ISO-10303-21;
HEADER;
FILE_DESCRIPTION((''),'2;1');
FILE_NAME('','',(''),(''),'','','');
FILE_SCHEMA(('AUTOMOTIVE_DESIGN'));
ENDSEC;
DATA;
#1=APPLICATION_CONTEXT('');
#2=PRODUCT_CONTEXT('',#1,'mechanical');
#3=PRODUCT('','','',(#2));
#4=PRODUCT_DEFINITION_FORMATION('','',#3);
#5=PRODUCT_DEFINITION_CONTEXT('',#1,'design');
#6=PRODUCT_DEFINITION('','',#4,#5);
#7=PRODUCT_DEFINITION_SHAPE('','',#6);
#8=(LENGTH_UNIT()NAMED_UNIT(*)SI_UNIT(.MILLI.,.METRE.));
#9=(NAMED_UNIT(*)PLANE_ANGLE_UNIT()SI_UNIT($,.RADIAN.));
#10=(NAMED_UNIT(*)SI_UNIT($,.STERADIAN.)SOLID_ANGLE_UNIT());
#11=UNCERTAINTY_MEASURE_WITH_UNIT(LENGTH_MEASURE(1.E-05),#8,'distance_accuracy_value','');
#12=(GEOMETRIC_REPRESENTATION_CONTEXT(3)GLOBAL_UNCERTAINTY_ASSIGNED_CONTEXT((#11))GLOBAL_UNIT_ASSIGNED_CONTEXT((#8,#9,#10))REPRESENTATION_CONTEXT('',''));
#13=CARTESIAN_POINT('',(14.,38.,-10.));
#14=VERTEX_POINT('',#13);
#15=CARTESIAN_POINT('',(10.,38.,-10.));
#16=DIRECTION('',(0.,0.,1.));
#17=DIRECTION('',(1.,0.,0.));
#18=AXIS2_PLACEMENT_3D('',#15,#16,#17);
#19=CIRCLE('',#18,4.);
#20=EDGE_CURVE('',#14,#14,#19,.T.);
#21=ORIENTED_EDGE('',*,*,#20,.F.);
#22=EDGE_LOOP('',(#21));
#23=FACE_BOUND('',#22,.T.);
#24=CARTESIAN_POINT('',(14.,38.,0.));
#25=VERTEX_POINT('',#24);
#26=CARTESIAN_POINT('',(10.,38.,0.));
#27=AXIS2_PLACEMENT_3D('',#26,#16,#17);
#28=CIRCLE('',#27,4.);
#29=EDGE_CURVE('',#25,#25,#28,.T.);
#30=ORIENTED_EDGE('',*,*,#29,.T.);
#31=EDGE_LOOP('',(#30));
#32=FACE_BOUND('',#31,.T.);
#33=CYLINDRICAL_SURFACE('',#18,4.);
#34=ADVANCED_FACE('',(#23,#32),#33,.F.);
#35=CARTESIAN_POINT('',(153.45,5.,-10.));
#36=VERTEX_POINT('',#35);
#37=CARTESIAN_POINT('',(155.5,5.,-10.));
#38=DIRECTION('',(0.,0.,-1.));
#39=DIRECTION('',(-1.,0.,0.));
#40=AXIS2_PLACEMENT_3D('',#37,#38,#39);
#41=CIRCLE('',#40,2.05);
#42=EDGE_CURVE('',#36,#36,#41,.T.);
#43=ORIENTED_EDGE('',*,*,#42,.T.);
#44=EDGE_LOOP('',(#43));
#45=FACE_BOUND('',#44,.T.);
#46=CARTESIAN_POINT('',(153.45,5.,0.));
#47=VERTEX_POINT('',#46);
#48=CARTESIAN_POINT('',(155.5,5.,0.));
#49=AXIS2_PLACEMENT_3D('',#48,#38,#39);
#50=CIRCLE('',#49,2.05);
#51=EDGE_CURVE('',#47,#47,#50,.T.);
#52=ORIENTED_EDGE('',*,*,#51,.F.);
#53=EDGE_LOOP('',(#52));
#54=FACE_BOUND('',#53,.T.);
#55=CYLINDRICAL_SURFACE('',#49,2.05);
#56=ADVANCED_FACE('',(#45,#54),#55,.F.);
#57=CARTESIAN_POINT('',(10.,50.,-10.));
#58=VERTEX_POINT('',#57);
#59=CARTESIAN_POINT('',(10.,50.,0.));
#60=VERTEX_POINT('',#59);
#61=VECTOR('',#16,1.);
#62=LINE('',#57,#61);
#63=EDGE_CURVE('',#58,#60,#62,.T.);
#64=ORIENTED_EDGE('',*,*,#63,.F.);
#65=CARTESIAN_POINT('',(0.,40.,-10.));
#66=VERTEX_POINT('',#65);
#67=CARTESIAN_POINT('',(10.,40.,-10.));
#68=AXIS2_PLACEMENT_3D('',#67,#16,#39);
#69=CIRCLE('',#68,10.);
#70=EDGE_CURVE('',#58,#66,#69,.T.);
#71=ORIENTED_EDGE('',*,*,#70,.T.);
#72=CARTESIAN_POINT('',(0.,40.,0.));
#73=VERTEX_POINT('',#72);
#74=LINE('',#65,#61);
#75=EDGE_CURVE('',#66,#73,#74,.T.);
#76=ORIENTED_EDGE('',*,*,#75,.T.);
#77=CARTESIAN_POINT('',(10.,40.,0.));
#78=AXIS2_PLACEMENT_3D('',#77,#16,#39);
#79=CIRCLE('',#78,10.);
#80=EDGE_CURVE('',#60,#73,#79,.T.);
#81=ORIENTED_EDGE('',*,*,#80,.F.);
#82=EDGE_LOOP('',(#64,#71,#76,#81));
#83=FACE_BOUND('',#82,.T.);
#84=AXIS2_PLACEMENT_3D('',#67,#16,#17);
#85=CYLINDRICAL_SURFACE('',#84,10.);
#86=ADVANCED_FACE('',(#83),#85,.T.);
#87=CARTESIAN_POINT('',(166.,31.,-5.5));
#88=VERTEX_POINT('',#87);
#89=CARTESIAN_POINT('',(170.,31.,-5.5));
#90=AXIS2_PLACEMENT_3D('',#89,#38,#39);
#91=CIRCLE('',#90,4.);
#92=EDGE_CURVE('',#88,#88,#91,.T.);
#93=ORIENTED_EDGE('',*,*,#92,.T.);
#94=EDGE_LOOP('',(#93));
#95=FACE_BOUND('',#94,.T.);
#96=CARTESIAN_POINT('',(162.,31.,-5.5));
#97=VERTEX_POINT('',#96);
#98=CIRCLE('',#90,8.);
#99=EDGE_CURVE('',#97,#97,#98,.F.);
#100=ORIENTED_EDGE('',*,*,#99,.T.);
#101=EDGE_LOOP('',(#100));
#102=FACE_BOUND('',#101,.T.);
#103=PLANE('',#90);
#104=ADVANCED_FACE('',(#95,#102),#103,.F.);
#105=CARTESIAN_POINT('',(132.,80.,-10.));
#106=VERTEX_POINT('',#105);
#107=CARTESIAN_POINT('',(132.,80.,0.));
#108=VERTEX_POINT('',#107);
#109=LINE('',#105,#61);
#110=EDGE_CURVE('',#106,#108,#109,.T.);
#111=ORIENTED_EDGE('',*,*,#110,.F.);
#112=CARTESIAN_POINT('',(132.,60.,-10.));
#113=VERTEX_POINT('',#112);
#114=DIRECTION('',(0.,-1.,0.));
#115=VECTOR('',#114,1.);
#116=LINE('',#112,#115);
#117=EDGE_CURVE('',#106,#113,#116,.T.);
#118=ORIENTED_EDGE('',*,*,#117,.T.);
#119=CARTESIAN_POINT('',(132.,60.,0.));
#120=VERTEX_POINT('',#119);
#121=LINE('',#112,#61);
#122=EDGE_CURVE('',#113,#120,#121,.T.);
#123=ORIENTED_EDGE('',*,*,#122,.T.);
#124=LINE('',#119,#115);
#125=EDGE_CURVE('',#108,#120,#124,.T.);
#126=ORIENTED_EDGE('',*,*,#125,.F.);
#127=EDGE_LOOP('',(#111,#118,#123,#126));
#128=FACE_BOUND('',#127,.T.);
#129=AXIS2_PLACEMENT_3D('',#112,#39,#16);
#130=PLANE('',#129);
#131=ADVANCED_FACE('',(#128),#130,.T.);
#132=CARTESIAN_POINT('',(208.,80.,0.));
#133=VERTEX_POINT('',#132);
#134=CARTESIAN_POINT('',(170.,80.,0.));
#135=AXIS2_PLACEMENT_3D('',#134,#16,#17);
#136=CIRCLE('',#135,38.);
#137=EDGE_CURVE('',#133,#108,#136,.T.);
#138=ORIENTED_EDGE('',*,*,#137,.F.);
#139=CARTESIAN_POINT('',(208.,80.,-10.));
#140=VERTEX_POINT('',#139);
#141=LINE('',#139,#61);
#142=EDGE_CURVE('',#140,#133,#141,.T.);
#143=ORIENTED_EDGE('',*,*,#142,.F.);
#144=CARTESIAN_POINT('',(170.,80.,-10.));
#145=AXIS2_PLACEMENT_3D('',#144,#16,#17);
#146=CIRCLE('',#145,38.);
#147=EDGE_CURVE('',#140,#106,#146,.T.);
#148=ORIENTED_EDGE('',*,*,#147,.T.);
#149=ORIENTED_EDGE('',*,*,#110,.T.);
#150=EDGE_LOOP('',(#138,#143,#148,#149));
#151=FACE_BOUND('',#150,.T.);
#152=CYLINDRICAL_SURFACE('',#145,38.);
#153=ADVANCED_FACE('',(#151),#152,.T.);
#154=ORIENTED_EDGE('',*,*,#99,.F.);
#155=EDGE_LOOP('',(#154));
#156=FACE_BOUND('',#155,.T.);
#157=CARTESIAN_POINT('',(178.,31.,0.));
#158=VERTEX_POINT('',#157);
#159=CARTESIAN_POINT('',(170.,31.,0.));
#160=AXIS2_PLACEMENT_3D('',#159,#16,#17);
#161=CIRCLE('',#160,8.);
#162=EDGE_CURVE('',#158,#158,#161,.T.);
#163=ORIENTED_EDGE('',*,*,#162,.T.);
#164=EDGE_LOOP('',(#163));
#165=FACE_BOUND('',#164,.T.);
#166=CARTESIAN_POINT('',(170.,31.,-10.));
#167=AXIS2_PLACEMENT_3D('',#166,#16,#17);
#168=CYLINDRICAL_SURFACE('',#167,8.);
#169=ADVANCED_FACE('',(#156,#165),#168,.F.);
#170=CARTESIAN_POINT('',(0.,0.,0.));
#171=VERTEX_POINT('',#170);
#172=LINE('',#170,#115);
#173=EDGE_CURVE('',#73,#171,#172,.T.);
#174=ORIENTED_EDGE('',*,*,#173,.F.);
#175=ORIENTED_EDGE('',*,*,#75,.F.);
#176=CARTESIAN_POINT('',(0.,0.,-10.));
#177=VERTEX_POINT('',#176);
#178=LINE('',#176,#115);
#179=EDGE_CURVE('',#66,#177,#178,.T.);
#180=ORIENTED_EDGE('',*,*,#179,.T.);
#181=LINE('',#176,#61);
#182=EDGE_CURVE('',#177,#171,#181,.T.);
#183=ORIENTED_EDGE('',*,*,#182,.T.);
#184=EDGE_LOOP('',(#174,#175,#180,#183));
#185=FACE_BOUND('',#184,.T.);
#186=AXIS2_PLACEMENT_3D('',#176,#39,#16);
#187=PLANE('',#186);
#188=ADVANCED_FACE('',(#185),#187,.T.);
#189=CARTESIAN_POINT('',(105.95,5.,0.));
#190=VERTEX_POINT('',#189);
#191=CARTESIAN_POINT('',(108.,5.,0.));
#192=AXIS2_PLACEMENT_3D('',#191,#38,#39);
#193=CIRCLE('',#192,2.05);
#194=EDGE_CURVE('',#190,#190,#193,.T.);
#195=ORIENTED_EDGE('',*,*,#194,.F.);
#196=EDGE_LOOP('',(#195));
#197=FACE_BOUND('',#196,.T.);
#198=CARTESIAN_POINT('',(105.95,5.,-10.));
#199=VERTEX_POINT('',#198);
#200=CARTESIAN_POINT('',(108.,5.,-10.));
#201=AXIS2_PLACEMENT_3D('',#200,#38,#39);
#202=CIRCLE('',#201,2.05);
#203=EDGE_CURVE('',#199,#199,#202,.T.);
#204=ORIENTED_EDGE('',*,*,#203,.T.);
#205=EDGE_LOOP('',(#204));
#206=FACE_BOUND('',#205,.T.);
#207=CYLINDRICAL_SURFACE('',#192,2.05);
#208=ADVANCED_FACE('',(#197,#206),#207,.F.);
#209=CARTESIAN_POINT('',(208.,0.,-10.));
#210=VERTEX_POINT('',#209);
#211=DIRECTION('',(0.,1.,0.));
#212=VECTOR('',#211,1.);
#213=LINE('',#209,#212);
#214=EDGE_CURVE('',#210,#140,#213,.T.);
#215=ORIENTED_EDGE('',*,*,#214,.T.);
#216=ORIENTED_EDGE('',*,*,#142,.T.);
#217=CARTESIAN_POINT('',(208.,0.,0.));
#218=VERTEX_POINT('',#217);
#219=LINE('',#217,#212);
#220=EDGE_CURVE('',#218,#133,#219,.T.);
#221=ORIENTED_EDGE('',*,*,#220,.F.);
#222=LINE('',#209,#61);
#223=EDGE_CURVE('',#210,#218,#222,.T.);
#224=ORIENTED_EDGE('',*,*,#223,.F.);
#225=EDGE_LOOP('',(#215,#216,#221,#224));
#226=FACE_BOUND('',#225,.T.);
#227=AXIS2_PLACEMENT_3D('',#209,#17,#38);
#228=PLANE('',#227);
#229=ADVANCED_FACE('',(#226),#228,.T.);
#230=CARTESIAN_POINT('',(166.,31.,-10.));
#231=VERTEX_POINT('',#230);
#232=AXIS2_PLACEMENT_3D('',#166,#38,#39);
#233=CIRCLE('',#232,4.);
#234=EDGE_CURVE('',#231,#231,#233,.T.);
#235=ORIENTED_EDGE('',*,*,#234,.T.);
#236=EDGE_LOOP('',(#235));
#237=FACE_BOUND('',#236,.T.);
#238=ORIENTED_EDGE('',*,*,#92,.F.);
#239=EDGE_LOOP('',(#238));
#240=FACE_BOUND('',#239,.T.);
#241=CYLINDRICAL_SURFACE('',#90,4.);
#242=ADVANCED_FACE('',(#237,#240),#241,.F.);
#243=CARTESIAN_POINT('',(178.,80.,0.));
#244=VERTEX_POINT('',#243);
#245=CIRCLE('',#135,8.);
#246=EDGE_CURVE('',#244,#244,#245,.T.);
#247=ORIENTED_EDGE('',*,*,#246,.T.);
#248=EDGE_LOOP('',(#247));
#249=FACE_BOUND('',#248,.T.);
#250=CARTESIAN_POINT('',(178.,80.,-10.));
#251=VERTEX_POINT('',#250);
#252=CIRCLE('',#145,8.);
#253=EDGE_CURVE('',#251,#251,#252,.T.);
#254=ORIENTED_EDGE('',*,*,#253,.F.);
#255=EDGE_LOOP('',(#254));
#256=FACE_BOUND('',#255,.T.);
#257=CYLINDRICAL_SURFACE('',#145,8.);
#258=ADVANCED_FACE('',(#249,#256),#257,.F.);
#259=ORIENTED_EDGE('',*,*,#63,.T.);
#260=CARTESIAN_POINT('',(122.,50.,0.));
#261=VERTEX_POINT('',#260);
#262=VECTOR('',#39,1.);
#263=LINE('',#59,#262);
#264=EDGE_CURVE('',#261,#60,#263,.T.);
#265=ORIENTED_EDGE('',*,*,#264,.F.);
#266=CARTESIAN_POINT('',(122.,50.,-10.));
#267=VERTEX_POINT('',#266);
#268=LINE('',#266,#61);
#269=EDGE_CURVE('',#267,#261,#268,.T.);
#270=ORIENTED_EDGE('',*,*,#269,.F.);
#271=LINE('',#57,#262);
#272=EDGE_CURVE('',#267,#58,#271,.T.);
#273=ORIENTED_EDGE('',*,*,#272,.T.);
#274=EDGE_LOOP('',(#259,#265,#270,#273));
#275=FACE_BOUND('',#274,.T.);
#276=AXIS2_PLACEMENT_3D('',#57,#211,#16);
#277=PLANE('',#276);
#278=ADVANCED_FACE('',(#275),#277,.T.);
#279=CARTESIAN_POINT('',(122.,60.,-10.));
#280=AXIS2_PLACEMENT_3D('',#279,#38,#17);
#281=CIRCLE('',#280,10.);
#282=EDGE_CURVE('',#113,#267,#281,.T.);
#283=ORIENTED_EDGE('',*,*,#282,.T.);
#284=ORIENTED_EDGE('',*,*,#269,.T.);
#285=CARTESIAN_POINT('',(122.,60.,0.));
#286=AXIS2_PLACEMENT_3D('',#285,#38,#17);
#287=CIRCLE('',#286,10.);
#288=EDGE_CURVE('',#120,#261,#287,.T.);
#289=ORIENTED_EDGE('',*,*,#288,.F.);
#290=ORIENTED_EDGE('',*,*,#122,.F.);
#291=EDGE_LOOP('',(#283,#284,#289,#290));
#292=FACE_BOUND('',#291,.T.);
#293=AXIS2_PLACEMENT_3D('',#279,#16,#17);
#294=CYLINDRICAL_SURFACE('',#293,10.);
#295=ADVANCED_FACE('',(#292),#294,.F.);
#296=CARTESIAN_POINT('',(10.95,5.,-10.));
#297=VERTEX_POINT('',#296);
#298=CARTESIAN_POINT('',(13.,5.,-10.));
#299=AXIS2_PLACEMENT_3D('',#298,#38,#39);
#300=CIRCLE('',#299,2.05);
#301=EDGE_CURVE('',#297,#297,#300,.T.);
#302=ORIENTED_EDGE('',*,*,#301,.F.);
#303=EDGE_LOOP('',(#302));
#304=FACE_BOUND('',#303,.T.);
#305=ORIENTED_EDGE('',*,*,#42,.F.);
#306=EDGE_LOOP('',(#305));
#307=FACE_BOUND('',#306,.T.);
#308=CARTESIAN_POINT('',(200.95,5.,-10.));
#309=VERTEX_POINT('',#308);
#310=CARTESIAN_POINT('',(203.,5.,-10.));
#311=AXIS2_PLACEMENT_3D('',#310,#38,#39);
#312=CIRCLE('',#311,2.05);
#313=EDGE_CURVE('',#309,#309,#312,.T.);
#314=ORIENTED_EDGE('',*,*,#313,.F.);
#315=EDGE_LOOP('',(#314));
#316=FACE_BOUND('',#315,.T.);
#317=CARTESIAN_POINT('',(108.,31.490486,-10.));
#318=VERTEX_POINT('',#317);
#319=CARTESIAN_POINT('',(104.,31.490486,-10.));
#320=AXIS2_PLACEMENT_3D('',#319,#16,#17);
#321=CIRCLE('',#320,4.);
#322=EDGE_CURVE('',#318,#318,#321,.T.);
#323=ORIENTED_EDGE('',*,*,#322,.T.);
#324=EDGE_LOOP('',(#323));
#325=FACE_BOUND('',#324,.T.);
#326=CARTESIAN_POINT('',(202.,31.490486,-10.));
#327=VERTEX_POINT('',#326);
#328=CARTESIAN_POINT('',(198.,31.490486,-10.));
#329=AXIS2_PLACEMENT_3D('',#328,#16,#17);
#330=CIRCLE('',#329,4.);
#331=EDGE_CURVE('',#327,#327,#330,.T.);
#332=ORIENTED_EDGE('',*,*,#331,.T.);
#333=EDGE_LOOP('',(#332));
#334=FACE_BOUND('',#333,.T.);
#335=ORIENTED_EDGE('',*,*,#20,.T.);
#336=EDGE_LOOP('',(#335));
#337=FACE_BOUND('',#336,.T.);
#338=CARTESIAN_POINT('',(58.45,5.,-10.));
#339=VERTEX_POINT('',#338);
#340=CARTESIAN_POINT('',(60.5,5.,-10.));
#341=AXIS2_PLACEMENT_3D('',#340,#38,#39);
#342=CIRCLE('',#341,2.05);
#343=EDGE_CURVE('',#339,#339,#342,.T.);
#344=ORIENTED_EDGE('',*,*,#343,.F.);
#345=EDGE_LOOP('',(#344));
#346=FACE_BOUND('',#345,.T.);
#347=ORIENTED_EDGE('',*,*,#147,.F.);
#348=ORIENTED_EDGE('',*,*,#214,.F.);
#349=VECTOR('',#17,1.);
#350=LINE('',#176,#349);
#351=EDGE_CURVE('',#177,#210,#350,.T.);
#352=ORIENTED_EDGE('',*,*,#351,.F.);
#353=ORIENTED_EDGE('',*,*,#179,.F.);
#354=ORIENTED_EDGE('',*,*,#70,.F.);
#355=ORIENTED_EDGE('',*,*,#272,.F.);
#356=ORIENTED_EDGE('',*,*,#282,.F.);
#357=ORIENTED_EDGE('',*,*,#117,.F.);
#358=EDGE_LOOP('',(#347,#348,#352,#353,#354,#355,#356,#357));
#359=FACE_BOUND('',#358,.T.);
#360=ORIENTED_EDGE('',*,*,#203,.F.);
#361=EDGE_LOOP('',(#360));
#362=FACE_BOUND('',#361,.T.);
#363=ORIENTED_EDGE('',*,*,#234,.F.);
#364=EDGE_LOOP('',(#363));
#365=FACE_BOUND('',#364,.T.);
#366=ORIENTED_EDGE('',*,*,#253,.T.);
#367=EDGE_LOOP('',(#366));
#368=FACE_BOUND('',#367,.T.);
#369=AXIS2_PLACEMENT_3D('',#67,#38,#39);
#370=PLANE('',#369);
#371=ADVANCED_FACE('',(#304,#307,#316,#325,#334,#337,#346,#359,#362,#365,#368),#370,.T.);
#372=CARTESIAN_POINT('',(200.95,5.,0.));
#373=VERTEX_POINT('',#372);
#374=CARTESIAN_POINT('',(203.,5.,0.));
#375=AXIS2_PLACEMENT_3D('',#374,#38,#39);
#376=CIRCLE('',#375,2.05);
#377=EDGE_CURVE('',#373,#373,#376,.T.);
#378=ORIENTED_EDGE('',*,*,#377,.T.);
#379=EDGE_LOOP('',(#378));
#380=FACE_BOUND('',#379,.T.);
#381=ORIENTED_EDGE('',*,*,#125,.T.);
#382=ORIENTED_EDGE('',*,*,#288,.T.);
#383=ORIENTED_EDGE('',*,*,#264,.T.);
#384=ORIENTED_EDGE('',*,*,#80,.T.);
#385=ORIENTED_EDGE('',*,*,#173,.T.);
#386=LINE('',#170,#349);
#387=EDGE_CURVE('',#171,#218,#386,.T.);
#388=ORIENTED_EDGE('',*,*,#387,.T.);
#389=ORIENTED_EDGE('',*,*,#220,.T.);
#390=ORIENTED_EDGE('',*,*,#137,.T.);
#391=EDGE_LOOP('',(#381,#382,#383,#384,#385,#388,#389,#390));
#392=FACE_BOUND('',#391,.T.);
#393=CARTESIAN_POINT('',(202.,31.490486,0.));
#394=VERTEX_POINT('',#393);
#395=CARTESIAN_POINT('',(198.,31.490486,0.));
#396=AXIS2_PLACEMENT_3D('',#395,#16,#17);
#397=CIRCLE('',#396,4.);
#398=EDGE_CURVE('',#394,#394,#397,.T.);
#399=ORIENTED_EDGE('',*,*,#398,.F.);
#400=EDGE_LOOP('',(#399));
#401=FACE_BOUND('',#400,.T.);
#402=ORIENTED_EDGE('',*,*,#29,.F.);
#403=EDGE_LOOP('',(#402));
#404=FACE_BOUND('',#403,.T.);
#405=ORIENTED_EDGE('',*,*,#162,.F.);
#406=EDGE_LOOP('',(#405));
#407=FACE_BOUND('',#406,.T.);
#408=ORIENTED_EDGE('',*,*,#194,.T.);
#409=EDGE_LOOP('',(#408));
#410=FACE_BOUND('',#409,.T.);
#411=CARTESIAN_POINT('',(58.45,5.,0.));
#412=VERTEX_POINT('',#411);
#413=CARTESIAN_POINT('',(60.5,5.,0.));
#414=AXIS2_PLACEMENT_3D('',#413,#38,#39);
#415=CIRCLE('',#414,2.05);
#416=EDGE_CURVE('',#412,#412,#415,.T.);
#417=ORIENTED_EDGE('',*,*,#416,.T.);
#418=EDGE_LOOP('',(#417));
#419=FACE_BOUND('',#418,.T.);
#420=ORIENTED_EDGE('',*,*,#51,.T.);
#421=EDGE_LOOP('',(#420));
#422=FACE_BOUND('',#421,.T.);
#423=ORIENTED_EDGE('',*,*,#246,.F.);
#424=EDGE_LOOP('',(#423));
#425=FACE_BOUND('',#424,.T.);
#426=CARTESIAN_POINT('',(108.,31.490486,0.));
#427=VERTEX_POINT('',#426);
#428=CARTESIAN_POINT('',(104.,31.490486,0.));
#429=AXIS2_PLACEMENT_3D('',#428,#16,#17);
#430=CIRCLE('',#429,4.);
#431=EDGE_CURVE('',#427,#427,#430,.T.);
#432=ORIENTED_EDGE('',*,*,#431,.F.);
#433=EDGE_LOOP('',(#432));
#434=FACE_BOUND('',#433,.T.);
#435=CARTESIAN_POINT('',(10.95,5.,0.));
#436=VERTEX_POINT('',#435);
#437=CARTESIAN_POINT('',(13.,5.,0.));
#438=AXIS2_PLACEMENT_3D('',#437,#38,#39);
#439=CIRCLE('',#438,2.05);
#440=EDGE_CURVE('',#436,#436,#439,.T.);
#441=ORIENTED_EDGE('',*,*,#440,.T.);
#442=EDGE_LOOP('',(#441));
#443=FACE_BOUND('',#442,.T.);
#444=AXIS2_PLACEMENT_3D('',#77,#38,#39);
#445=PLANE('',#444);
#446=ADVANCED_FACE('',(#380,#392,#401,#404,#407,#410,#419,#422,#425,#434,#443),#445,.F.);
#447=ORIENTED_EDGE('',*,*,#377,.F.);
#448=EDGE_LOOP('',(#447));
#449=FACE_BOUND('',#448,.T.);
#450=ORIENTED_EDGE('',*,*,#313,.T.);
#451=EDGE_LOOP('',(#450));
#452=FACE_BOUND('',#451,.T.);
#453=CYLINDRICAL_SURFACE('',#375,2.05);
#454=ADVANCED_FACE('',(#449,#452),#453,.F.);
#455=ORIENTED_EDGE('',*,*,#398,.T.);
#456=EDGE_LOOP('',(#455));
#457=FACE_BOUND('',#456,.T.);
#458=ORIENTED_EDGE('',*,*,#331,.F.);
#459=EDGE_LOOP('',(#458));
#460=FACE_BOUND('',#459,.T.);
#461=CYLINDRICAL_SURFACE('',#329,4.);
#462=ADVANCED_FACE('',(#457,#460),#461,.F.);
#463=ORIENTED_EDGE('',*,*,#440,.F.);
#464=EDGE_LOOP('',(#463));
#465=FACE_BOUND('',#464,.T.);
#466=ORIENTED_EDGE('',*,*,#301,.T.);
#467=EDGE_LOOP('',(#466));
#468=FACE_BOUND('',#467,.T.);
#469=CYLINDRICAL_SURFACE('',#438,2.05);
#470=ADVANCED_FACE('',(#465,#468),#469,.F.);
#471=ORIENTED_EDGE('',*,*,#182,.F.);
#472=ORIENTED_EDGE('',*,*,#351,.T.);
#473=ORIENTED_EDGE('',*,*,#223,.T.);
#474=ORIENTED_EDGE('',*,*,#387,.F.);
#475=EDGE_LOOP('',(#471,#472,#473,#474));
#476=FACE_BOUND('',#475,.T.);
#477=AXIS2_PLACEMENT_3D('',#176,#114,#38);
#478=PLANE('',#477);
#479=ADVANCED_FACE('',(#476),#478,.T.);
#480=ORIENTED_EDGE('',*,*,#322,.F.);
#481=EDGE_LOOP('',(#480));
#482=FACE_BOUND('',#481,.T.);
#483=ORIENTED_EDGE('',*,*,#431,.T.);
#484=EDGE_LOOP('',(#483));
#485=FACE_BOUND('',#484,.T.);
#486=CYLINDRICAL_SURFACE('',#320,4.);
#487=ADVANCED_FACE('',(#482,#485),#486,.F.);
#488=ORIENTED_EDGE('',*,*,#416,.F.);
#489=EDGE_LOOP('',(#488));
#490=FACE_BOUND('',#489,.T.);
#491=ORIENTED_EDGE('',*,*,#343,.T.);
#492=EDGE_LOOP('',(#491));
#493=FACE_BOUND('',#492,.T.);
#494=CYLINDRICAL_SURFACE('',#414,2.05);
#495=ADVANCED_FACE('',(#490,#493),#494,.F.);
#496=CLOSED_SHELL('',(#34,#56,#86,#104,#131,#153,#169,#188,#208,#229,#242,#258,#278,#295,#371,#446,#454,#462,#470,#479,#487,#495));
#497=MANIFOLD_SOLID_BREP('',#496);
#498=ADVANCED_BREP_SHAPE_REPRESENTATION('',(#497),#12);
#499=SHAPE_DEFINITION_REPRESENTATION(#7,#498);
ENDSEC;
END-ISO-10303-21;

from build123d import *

# Parameters (mm, degrees)
CROQUIS1_R              = 8
SALIENTE_EXTRUIR1_DEPTH = 10
CROQUIS2_R              = 2.05
CORTAR_EXTRUIR1_DEPTH   = 240.3491174
SALIENTE_EXTRUIR2_START = -4.5
CROQUIS3_R              = 8
CROQUIS3_R_2            = 4
SALIENTE_EXTRUIR2_DEPTH = 4.5
CROQUIS4_R              = 4
CORTAR_EXTRUIR2_DEPTH   = 240.3491174


with BuildPart() as part:
    # Croquis1 → Saliente-Extruir1 (new body)
    with BuildSketch(Plane.XY):
        with BuildLine():
            Line((0, 0), (208, 0))
            Line((208, 0), (208, 80))
            ThreePointArc((208, 80), (170, 118), (132, 80))
            Line((132, 80), (132, 60))
            ThreePointArc((132, 60), (129.071067812, 52.928932188), (122, 50))
            Line((122, 50), (10, 50))
            ThreePointArc((10, 50), (2.928932188, 47.071067812), (0, 40))
            Line((0, 40), (0, 0))
        make_face()
        with Locations((170, 80)):
            Circle(CROQUIS1_R, mode=Mode.SUBTRACT)
        with Locations((170, 31)):
            Circle(CROQUIS1_R, mode=Mode.SUBTRACT)
    extrude(amount=-SALIENTE_EXTRUIR1_DEPTH)

    # Croquis2 → Cortar-Extruir1 (cut, through all)
    with BuildSketch(Plane(origin=(0, 0, -10), x_dir=(-1, 0, 0), z_dir=(0, 0, -1))):
        with Locations((-203, 5)):
            Circle(CROQUIS2_R)
        with Locations((-155.5, 5)):
            Circle(CROQUIS2_R)
        with Locations((-108, 5)):
            Circle(CROQUIS2_R)
        with Locations((-60.5, 5)):
            Circle(CROQUIS2_R)
        with Locations((-13, 5)):
            Circle(CROQUIS2_R)
    extrude(amount=-CORTAR_EXTRUIR1_DEPTH, mode=Mode.SUBTRACT)

    # Croquis3 → Saliente-Extruir2 (add)
    with BuildSketch(Plane(origin=(0, 0, -10), x_dir=(-1, 0, 0), z_dir=(0, 0, -1)).offset(SALIENTE_EXTRUIR2_START)):
        with Locations(Location((-170, 31, 0), (0, 0, 180))):
            Circle(CROQUIS3_R)
        with Locations((-170, 31)):
            Circle(CROQUIS3_R_2, mode=Mode.SUBTRACT)
    extrude(amount=SALIENTE_EXTRUIR2_DEPTH)

    # Croquis4 → Cortar-Extruir2 (cut, through all)
    with BuildSketch(Plane.XY):
        with Locations((198, 31.490486181)):
            Circle(CROQUIS4_R)
        with Locations((104, 31.490486181)):
            Circle(CROQUIS4_R)
        with Locations((10, 38)):
            Circle(CROQUIS4_R)
    extrude(amount=-CORTAR_EXTRUIR2_DEPTH, mode=Mode.SUBTRACT)


solid = part.part
